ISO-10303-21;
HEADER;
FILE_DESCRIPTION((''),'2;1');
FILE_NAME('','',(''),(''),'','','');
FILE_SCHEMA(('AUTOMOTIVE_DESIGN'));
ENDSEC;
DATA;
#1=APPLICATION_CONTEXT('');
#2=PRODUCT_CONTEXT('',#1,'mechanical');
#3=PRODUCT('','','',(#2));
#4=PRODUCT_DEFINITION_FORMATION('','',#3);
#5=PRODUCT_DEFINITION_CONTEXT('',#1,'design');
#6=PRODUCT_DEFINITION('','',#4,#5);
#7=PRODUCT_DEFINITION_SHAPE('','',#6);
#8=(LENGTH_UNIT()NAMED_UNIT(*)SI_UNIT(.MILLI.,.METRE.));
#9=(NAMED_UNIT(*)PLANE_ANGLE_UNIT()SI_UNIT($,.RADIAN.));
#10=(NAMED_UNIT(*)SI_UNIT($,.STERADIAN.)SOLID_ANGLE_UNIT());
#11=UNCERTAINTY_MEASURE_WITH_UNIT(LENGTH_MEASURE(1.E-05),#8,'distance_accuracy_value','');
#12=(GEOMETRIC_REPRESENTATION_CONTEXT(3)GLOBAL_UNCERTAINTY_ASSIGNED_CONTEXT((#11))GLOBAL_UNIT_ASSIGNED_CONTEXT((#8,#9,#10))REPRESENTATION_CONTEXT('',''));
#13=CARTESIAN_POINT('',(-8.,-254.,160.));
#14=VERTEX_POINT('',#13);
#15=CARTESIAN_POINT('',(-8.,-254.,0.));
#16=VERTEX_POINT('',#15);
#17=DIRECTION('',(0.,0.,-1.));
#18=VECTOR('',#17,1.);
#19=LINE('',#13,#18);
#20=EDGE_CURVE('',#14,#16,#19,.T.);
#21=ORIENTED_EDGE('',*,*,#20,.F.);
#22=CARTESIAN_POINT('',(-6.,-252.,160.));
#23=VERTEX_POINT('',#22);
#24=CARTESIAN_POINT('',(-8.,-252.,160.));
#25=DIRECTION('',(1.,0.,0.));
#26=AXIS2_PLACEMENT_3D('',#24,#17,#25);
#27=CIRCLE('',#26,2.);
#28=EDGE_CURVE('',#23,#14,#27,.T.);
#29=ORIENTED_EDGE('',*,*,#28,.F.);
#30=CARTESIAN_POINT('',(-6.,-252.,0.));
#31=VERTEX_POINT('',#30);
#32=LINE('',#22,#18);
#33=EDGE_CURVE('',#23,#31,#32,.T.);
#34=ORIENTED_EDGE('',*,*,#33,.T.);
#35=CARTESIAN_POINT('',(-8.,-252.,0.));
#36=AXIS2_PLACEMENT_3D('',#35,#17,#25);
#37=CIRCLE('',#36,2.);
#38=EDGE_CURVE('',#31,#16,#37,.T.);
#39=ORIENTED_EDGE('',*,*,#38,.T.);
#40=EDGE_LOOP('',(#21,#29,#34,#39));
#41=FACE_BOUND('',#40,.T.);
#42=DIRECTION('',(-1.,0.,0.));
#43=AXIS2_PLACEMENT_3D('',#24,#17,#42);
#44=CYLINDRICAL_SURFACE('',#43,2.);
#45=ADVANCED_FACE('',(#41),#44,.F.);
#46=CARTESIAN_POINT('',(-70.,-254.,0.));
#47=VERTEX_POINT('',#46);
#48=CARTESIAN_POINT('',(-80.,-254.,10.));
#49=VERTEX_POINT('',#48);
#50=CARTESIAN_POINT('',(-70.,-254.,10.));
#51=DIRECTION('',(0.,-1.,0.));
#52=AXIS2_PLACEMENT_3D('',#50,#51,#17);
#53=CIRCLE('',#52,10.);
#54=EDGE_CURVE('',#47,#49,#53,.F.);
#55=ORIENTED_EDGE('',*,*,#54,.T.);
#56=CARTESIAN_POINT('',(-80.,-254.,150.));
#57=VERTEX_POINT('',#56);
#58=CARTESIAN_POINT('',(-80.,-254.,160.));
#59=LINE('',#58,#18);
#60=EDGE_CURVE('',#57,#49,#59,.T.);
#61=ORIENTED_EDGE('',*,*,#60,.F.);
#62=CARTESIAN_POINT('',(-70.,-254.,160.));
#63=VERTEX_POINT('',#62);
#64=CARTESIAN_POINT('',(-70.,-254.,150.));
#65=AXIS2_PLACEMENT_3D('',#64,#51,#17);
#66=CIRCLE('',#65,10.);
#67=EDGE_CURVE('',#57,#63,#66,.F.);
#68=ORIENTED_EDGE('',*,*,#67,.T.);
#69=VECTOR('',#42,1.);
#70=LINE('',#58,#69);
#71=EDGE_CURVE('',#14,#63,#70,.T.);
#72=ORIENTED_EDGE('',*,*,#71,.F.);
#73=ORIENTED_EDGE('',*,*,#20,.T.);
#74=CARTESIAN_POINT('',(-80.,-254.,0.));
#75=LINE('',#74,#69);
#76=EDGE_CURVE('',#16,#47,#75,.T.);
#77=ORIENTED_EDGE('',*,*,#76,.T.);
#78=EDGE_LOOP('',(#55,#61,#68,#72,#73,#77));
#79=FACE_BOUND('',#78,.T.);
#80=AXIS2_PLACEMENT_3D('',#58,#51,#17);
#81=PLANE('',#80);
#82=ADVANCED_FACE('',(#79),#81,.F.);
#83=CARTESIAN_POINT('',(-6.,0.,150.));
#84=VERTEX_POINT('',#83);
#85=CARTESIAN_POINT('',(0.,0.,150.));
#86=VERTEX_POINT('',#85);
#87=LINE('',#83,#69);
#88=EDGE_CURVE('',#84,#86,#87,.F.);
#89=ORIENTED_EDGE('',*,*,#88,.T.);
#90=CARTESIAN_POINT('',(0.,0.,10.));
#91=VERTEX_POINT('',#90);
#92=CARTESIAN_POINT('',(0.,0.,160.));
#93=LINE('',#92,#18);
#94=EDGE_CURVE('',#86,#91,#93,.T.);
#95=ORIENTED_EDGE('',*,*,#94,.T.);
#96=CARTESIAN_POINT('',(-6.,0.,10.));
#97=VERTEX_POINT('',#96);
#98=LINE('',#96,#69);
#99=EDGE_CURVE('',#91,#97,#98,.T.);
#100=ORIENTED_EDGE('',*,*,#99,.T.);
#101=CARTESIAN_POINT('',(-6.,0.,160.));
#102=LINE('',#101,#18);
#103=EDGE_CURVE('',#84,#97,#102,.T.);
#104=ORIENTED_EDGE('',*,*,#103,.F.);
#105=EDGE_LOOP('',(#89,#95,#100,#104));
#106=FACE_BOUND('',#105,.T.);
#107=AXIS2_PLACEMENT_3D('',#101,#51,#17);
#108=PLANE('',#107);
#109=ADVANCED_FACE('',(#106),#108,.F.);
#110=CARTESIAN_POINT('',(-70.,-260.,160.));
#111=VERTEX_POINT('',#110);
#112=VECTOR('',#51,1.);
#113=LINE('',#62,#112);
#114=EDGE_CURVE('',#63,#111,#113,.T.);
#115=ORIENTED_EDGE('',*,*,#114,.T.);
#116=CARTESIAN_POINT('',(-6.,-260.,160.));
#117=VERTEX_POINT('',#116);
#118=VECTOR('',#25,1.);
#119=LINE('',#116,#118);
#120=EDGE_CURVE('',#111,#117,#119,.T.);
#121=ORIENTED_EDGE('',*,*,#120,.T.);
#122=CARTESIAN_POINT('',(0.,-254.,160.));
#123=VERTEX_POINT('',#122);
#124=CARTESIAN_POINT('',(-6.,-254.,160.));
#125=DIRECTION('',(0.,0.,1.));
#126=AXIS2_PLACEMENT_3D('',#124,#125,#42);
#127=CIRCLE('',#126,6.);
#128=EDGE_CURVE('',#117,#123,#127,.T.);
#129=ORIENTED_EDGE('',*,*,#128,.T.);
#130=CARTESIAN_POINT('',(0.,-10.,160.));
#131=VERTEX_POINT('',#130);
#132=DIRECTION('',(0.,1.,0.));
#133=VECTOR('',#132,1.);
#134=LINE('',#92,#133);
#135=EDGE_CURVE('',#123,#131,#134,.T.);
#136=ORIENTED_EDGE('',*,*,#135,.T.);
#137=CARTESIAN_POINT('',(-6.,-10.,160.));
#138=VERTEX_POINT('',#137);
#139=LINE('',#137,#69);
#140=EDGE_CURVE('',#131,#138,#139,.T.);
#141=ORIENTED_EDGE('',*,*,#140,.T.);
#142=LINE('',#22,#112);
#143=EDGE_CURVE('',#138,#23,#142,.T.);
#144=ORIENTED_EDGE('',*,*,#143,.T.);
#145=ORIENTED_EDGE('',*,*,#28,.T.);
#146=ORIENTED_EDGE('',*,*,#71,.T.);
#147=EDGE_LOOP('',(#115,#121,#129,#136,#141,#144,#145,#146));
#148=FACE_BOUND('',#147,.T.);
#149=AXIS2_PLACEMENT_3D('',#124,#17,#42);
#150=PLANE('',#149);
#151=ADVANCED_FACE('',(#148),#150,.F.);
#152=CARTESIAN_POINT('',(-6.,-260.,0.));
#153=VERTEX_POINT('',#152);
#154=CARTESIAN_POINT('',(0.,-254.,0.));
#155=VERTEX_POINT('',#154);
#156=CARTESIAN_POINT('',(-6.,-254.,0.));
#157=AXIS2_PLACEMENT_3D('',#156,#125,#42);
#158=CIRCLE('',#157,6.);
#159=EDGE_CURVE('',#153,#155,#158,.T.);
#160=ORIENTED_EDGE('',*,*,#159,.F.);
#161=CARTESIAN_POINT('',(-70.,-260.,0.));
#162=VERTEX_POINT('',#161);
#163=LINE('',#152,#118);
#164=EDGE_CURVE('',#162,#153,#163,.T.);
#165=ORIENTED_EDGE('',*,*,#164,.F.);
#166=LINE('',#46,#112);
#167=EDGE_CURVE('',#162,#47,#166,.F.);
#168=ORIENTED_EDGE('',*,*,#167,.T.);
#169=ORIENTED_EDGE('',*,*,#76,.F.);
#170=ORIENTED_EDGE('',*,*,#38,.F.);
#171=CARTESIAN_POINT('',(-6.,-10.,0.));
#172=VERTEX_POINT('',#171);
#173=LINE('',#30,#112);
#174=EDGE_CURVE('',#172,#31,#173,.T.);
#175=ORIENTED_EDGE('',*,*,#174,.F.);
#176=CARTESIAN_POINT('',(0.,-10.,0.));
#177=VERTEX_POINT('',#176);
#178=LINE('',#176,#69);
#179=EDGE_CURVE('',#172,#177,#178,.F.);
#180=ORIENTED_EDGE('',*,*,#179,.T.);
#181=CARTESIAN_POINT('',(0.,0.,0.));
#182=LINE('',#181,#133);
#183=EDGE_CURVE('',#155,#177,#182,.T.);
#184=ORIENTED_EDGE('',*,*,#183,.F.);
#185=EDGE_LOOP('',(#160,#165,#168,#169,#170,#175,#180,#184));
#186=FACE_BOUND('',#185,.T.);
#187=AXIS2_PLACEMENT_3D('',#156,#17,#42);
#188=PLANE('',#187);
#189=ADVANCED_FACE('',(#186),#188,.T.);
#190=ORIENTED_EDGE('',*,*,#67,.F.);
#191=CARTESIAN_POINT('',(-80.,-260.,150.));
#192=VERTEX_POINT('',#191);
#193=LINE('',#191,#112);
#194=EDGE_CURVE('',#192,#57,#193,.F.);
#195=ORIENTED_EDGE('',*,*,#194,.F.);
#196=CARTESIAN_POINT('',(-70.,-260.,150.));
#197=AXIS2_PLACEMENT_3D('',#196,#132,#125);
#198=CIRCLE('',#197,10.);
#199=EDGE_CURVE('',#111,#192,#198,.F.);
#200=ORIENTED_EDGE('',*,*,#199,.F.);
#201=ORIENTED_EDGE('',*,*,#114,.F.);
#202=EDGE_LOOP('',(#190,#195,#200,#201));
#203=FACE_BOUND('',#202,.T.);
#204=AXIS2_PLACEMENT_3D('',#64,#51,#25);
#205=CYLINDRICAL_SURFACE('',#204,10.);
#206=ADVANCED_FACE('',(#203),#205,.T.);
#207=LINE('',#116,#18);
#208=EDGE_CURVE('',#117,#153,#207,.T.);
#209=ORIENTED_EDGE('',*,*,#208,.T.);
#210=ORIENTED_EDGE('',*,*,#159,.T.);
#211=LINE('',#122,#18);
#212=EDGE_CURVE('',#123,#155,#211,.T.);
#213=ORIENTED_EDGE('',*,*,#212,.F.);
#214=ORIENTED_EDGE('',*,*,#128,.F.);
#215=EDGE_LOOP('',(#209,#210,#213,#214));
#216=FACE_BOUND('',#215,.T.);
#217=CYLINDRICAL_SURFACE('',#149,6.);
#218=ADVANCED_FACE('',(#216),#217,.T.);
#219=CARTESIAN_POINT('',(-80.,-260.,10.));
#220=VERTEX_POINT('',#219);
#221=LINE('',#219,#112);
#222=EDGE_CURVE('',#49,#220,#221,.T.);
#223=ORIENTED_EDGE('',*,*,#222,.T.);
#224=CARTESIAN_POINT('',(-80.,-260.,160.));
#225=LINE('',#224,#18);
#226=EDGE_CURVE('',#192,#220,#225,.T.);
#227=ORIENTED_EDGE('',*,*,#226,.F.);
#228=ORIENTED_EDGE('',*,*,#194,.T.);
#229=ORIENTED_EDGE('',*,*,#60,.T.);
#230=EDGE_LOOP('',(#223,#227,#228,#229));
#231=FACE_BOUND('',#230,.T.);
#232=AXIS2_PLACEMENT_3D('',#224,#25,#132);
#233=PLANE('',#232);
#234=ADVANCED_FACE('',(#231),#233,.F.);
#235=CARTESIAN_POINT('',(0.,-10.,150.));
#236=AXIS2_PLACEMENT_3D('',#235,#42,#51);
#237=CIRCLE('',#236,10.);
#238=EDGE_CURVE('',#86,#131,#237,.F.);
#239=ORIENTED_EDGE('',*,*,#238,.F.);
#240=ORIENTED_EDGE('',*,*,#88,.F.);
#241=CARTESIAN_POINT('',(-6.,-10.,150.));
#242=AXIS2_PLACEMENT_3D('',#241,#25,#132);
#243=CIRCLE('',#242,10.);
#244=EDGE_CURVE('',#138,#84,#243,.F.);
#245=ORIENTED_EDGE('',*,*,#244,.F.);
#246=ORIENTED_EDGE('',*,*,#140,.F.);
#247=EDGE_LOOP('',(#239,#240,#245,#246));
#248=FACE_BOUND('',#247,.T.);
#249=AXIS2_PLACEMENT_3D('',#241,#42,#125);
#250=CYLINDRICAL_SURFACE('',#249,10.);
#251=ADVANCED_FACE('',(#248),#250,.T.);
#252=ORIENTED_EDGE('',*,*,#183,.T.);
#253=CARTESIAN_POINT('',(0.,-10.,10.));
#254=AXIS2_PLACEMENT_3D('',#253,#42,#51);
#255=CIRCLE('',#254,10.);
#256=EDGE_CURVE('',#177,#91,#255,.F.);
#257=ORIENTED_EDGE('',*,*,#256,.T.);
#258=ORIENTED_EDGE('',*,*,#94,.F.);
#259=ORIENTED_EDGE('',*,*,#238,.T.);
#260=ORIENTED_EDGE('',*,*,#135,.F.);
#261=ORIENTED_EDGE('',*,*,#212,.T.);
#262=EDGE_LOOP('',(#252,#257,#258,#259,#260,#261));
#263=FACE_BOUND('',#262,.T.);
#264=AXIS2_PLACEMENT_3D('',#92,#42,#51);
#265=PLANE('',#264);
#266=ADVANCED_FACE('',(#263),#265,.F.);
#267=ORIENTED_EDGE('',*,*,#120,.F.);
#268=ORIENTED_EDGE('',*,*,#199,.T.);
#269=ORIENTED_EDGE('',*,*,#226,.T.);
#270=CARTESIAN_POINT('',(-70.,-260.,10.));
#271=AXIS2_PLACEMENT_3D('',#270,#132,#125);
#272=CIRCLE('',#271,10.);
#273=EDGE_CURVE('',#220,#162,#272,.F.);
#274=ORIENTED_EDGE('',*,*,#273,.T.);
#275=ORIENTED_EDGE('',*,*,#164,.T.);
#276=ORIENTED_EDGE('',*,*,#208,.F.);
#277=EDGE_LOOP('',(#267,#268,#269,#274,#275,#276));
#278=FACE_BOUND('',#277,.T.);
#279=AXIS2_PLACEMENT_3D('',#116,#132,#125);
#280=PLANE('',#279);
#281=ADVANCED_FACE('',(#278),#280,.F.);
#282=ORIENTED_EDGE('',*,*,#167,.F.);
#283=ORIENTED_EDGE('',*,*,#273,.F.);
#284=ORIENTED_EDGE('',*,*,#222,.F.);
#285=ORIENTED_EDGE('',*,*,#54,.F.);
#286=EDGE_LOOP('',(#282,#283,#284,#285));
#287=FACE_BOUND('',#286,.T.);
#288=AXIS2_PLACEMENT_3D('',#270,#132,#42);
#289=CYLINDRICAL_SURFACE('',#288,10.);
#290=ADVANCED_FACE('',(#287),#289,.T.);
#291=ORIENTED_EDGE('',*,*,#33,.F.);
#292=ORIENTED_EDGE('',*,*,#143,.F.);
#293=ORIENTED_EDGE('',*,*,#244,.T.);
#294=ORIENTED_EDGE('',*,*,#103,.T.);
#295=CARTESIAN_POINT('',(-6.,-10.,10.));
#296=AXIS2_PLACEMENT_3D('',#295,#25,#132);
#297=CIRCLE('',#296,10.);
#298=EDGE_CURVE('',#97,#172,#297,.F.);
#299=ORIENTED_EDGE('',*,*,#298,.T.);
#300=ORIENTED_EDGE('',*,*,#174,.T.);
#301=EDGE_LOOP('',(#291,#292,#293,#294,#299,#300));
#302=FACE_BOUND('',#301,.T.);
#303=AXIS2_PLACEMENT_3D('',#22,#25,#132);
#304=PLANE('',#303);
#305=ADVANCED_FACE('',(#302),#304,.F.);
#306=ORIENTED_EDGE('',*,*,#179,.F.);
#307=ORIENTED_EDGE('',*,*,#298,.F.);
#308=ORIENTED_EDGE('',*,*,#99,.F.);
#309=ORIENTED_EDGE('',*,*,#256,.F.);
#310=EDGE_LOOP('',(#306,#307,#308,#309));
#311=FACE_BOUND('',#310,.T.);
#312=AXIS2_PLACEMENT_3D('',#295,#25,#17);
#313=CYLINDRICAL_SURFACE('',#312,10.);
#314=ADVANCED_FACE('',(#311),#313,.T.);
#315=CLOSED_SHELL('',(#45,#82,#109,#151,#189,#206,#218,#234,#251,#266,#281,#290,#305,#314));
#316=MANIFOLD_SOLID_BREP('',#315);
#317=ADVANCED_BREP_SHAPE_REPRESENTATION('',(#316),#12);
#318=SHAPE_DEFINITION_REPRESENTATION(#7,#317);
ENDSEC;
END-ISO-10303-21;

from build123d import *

# Parameters (mm, degrees)
BOSS_EXTRUDE1_DEPTH = 160
FILLET1_R           = 10


with BuildPart() as part:
    # Sketch1 → Boss-Extrude1 (new body)
    with BuildSketch(Plane.XY):
        with BuildLine():
            Line((0, 0), (0, -254))
            ThreePointArc((0, -254), (-1.757359313, -258.242640687), (-6, -260))
            Line((-6, -260), (-80, -260))
            Line((-80, -260), (-80, -254))
            Line((-80, -254), (-8, -254))
            ThreePointArc((-8, -254), (-6.585786438, -253.414213562), (-6, -252))
            Line((-6, -252), (-6, 0))
            Line((-6, 0), (0, 0))
        make_face()
    extrude(amount=BOSS_EXTRUDE1_DEPTH)

    # Fillet1
    fillet1_edges = [part.edges().sort_by_distance(p)[0] for p in [
        (-3, 0, 0),
        (-80, -257, 160),
        (-3, 0, 160),
        (-80, -257, 0),
    ]]
    fillet(fillet1_edges, radius=FILLET1_R)


solid = part.part
